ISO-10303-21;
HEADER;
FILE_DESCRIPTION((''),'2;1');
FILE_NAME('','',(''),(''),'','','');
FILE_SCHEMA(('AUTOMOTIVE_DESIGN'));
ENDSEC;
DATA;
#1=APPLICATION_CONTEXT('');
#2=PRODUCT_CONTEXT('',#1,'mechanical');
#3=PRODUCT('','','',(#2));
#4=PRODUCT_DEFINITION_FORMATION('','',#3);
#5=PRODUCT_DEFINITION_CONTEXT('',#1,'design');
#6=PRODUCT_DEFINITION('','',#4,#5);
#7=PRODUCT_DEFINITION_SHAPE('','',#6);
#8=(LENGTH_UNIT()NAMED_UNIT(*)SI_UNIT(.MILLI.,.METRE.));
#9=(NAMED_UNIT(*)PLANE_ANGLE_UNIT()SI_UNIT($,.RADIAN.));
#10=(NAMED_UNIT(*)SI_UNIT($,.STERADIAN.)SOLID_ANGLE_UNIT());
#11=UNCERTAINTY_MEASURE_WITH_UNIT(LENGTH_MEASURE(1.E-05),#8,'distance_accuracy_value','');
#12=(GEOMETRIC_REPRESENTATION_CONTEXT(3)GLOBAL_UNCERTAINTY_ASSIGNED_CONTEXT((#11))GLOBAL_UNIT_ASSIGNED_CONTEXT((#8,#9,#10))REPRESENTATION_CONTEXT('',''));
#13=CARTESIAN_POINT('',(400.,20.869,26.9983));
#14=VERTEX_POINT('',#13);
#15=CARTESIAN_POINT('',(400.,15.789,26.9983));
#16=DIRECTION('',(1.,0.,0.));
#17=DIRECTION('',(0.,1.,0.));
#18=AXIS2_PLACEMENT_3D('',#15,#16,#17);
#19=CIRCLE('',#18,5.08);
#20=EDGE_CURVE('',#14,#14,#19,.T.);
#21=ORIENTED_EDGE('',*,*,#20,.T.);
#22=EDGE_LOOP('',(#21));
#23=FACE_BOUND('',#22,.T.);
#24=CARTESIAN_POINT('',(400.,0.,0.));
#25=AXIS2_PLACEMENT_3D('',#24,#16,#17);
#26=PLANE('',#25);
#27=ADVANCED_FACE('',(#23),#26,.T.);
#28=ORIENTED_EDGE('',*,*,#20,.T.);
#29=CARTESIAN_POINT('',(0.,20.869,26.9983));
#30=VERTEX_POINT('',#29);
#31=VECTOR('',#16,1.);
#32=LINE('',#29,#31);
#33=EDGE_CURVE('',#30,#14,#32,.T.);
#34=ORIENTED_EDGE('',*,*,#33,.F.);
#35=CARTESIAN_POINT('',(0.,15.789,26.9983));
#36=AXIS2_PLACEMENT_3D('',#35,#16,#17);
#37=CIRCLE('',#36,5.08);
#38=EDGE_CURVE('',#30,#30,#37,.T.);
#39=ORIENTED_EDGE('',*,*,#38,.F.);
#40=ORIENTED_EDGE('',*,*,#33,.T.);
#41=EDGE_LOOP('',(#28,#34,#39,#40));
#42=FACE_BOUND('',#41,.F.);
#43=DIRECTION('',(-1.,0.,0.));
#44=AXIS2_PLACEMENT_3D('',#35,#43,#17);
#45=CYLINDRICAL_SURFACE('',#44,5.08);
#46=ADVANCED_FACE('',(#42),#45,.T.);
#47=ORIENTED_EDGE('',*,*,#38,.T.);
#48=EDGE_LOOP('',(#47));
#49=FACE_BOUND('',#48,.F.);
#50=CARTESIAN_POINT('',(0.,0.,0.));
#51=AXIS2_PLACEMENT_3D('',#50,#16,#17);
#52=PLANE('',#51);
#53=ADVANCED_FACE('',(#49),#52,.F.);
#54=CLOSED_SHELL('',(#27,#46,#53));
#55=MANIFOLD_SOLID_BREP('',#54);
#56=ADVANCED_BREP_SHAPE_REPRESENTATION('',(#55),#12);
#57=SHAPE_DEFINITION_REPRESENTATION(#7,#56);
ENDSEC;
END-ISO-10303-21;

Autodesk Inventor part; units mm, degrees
ref_plane "YZ Plane" through (0, 0, 0) normal (1, 0, 0) x (0, 1, 0)
ref_plane "XZ Plane" through (0, 0, 0) normal (0, 1, 0) x (-1, 0, 0)
ref_plane "XY Plane" through (0, 0, 0) normal (0, 0, 1) x (1, 0, 0)
sketch "Sketch1" plane through (0, 0, 0) normal (1, 0, 0) x (0, 1, 0)
  circle A0 centre (15.789, 26.9983) radius 5.08
  point P0 (0, 0)
  dimension "d0" = 10.16
  dimension "d0" = 10.16
extrude "Extrusion1" add sketch "Sketch1" along normal blind 400
properties material "Steel, Alloy"
